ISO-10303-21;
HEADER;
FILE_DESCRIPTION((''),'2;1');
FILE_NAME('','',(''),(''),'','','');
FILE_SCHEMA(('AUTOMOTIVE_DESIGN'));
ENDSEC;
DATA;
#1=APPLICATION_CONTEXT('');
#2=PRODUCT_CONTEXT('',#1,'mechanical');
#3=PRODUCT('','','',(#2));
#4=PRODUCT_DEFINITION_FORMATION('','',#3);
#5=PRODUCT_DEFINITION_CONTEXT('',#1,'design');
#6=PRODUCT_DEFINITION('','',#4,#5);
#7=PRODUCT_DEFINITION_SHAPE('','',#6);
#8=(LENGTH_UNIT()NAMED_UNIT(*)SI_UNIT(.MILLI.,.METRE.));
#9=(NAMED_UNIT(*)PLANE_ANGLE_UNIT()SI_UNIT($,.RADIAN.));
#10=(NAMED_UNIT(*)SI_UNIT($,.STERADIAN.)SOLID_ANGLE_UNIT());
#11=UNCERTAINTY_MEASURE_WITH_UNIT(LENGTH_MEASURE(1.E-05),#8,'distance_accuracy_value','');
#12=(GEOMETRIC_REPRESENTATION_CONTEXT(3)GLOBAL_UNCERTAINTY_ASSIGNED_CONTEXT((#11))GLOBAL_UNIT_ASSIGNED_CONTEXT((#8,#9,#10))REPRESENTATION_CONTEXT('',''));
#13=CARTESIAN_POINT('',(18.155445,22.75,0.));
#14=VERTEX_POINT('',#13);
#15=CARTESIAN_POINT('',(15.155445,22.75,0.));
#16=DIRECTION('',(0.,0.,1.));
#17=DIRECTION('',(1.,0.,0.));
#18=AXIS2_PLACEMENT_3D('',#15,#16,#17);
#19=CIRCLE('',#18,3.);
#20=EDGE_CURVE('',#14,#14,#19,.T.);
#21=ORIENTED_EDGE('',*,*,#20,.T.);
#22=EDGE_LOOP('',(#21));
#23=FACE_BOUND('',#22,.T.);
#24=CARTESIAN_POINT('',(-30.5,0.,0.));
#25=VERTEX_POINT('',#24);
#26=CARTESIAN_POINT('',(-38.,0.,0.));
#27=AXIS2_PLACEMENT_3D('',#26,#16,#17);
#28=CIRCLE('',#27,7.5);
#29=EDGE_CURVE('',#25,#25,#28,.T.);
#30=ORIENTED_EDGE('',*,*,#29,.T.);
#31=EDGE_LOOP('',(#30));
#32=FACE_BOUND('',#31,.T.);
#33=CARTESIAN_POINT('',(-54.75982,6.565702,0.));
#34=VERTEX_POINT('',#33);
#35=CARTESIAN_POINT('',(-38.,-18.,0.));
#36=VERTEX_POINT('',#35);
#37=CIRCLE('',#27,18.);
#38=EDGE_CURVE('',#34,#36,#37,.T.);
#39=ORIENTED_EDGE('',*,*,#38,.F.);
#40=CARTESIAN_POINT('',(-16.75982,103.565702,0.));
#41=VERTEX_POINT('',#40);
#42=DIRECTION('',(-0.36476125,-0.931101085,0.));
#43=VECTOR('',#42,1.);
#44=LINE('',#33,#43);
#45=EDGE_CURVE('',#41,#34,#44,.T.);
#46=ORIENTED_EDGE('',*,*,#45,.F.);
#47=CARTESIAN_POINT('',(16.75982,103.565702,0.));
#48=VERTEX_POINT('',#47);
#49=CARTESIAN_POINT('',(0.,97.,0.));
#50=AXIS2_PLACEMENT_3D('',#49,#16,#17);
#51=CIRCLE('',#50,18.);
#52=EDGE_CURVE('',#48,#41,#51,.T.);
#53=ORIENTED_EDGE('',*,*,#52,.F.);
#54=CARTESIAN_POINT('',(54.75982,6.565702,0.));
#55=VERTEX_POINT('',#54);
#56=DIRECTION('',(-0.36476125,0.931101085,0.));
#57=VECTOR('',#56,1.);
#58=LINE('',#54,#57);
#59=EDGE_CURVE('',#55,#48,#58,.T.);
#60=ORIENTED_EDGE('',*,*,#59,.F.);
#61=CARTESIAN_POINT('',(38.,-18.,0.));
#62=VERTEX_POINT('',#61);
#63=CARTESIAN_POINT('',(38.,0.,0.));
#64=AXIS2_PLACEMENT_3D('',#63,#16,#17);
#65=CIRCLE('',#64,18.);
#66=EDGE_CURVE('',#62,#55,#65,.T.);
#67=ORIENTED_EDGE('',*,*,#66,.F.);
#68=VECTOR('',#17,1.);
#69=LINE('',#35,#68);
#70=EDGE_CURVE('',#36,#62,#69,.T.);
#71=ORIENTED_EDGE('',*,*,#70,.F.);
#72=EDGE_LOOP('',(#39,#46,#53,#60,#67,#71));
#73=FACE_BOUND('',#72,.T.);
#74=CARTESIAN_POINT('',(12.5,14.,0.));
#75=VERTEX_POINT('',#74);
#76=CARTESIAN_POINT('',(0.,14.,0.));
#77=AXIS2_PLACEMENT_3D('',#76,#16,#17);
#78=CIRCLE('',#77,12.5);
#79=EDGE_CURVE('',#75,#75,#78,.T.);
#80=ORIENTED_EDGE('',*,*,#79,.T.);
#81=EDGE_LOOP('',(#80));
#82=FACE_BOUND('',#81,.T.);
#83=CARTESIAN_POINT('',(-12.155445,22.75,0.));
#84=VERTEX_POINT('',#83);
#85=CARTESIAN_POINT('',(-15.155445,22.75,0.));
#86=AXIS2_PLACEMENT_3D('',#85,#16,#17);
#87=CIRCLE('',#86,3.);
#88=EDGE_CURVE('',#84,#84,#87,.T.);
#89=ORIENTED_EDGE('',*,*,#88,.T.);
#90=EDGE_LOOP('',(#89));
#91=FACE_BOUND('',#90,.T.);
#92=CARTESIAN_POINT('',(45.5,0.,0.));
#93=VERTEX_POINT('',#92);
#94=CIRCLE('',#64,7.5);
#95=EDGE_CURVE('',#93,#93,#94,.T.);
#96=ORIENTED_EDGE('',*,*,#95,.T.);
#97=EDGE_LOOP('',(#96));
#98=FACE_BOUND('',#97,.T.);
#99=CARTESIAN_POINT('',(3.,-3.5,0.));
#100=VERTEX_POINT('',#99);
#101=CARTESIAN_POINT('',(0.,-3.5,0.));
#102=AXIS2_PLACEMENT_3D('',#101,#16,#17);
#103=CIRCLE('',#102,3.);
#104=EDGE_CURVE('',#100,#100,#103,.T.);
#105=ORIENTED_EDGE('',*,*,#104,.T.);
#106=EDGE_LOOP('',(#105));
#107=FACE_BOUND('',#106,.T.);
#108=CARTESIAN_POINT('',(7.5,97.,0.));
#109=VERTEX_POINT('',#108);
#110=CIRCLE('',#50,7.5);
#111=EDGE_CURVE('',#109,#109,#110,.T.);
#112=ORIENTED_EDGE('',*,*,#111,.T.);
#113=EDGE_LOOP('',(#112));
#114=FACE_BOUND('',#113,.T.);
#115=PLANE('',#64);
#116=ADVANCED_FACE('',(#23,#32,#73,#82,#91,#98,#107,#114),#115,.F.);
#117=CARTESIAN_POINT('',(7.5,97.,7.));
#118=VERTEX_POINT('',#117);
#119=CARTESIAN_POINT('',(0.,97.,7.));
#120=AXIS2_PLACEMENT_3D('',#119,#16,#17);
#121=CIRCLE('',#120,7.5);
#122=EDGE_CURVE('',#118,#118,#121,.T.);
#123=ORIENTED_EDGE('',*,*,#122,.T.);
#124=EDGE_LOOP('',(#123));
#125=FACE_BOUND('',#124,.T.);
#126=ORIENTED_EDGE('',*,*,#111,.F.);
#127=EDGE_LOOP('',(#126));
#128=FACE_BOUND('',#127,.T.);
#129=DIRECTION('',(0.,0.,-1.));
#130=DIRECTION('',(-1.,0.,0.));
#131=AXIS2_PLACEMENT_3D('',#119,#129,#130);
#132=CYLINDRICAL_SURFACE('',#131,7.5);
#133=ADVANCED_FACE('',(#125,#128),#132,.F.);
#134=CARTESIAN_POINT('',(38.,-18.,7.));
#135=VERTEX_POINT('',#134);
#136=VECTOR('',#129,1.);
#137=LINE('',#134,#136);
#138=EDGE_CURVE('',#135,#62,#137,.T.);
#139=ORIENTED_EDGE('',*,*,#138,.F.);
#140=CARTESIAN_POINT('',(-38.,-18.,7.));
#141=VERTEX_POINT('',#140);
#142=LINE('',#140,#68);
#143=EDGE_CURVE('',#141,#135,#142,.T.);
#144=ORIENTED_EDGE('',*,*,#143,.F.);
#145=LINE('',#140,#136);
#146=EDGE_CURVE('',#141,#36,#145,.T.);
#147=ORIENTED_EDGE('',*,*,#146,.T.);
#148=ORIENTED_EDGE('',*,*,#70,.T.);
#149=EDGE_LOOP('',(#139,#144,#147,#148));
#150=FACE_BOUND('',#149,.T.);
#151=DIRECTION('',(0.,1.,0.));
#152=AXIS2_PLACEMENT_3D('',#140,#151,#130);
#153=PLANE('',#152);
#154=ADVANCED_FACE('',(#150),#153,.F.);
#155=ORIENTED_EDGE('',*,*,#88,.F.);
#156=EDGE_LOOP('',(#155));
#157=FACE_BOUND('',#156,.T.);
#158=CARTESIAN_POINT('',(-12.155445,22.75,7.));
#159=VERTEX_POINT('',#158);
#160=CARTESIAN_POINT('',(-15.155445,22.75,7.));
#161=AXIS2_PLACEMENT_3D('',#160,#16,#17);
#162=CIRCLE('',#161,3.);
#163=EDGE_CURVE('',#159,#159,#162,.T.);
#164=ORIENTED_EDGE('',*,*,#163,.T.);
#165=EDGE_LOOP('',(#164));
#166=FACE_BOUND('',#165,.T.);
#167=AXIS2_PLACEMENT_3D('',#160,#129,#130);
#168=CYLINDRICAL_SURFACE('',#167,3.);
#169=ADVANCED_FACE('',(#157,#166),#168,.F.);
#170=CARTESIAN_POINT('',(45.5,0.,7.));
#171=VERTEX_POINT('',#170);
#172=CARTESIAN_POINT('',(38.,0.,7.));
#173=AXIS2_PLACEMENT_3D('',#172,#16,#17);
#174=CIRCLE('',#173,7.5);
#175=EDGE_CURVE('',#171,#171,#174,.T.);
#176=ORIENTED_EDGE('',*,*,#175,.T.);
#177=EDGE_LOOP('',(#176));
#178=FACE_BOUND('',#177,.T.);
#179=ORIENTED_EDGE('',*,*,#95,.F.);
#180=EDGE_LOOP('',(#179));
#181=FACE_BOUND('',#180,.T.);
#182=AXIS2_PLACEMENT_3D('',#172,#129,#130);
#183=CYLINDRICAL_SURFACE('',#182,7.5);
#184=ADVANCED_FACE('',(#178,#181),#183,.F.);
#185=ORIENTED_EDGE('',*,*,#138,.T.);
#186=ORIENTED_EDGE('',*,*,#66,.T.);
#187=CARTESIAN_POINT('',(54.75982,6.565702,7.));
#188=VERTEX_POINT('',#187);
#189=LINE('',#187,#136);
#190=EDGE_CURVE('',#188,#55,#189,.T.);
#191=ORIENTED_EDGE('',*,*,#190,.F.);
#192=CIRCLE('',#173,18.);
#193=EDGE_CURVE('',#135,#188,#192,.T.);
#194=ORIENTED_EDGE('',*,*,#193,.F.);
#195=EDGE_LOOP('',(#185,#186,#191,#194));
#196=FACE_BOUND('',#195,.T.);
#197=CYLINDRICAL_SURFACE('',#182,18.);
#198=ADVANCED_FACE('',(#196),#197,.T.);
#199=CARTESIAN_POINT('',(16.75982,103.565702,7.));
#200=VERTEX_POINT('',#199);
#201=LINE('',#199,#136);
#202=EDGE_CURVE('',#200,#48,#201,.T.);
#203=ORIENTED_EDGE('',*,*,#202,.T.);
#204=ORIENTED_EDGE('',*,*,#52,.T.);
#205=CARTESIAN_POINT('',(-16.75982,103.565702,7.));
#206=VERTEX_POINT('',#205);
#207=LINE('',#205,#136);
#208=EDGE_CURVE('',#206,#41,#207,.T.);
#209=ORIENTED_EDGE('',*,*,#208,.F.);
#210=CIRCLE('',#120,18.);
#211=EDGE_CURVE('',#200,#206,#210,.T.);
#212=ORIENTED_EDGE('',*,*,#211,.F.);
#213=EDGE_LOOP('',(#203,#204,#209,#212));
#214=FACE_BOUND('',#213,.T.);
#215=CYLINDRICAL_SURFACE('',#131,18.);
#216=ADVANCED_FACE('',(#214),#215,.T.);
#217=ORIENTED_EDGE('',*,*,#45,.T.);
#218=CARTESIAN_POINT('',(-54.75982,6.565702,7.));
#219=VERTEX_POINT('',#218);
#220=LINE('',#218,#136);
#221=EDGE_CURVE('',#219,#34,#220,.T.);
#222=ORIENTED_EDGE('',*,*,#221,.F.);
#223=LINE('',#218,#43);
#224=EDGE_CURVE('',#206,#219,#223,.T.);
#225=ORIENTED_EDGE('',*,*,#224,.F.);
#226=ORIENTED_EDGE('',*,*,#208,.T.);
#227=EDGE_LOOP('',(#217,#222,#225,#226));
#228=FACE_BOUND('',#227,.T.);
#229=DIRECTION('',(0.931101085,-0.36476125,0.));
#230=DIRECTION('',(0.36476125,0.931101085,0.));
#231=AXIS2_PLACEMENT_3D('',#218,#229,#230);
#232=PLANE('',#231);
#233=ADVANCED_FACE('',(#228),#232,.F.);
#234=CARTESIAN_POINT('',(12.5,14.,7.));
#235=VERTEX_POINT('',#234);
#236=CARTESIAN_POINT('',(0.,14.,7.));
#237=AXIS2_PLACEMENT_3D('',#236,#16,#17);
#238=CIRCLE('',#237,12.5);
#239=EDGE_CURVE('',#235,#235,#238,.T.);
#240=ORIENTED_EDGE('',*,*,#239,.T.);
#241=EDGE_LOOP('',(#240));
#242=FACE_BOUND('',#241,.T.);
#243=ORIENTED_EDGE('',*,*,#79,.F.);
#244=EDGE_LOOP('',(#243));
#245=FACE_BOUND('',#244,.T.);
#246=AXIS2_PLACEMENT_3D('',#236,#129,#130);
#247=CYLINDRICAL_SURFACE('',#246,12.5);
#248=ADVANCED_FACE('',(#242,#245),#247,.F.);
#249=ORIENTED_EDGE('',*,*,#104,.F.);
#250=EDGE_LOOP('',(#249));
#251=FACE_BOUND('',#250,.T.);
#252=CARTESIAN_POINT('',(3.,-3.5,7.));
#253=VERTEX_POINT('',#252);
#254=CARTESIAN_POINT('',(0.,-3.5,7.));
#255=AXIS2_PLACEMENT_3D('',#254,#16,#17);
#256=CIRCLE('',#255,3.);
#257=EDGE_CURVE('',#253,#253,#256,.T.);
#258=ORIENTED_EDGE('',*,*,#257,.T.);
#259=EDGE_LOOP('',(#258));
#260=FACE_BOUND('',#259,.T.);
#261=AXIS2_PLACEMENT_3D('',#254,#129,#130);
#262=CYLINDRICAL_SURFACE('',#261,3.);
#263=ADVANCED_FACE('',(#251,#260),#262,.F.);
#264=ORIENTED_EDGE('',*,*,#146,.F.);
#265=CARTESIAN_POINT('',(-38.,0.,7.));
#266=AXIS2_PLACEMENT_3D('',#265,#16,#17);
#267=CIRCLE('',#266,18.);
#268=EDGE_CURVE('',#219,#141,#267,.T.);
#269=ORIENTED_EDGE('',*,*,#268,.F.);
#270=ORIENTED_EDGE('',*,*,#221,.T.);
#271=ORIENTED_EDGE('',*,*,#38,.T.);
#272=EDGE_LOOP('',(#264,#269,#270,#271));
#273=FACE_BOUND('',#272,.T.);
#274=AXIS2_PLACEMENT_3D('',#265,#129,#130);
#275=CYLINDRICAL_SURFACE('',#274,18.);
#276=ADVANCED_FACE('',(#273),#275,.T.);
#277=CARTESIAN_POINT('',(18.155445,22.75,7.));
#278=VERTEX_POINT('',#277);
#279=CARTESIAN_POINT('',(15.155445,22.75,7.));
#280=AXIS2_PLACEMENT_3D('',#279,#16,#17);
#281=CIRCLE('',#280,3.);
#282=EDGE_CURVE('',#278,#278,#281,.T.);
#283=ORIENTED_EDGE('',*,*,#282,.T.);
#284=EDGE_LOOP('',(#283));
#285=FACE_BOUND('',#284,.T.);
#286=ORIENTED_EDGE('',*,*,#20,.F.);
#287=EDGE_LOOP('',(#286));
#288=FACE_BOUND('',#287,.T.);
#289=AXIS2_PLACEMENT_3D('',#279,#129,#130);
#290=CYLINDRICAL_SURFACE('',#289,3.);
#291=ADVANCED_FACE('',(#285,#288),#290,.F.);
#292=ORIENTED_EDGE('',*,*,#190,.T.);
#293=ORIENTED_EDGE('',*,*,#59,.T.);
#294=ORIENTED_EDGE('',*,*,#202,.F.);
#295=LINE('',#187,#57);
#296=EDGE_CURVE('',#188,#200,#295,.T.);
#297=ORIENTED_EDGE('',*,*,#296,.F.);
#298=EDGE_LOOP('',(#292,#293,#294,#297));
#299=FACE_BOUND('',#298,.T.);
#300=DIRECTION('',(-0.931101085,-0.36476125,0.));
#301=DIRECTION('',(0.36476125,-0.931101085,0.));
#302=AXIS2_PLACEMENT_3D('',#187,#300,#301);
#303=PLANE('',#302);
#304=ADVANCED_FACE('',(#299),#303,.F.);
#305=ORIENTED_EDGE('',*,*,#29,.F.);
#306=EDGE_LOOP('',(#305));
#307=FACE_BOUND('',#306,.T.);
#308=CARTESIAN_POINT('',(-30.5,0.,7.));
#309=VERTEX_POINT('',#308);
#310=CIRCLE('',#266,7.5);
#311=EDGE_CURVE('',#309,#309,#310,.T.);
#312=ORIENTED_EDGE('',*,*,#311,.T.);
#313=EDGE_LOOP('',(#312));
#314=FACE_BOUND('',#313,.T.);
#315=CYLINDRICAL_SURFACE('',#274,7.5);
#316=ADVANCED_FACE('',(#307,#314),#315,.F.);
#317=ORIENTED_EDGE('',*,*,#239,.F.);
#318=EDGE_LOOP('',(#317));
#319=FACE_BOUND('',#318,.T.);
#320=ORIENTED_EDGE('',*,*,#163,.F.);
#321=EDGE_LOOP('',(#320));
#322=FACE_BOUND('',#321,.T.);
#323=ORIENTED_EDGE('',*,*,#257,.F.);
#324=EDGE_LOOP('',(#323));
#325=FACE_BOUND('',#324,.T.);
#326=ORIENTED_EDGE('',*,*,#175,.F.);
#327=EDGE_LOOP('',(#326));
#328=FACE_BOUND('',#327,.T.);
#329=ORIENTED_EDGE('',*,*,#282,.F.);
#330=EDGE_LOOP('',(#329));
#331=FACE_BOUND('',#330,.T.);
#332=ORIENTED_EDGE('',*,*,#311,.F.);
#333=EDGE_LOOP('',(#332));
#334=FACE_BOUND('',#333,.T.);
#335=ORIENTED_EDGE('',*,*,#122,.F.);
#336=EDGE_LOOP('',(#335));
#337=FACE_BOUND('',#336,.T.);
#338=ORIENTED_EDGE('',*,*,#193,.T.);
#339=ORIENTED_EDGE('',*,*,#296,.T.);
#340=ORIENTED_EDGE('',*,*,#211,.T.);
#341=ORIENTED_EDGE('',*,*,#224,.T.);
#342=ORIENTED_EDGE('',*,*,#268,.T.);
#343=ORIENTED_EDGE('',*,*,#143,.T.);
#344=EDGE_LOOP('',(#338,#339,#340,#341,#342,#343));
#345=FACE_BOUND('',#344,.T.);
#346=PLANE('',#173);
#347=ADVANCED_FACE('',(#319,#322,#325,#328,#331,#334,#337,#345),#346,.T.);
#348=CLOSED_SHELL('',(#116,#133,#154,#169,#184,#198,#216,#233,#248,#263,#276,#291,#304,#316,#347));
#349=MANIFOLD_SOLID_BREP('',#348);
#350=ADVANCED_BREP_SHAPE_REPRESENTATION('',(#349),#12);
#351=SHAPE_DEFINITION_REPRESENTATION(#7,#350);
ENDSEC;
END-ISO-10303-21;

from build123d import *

# Parameters (mm, degrees)
SKETCH1_R           = 7.5
SKETCH1_R_2         = 12.5
SKETCH1_R_3         = 3
BOSS_EXTRUDE1_DEPTH = 7


with BuildPart() as part:
    # Sketch1 → Boss-Extrude1 (new body)
    with BuildSketch(Plane.XY):
        with BuildLine():
            Line((-54.759819531, 6.565702497), (-16.759819531, 103.565702497))
            ThreePointArc((-16.759819531, 103.565702497), (0, 115), (16.759819531, 103.565702497))
            Line((16.759819531, 103.565702497), (54.759819531, 6.565702497))
            ThreePointArc((54.759819531, 6.565702497), (52.869139937, -10.144391432), (38, -18))
            Line((38, -18), (-38, -18))
            ThreePointArc((-38, -18), (-52.869139937, -10.144391432), (-54.759819531, 6.565702497))
        make_face()
        with Locations((0, 97)):
            Circle(SKETCH1_R, mode=Mode.SUBTRACT)
        with Locations((-38, 0)):
            Circle(SKETCH1_R, mode=Mode.SUBTRACT)
        with Locations((38, 0)):
            Circle(SKETCH1_R, mode=Mode.SUBTRACT)
        with Locations((0, 14)):
            Circle(SKETCH1_R_2, mode=Mode.SUBTRACT)
        with Locations((0, -3.5)):
            Circle(SKETCH1_R_3, mode=Mode.SUBTRACT)
        with Locations((-15.155444566, 22.75)):
            Circle(SKETCH1_R_3, mode=Mode.SUBTRACT)
        with Locations((15.155444566, 22.75)):
            Circle(SKETCH1_R_3, mode=Mode.SUBTRACT)
    extrude(amount=BOSS_EXTRUDE1_DEPTH)


solid = part.part
